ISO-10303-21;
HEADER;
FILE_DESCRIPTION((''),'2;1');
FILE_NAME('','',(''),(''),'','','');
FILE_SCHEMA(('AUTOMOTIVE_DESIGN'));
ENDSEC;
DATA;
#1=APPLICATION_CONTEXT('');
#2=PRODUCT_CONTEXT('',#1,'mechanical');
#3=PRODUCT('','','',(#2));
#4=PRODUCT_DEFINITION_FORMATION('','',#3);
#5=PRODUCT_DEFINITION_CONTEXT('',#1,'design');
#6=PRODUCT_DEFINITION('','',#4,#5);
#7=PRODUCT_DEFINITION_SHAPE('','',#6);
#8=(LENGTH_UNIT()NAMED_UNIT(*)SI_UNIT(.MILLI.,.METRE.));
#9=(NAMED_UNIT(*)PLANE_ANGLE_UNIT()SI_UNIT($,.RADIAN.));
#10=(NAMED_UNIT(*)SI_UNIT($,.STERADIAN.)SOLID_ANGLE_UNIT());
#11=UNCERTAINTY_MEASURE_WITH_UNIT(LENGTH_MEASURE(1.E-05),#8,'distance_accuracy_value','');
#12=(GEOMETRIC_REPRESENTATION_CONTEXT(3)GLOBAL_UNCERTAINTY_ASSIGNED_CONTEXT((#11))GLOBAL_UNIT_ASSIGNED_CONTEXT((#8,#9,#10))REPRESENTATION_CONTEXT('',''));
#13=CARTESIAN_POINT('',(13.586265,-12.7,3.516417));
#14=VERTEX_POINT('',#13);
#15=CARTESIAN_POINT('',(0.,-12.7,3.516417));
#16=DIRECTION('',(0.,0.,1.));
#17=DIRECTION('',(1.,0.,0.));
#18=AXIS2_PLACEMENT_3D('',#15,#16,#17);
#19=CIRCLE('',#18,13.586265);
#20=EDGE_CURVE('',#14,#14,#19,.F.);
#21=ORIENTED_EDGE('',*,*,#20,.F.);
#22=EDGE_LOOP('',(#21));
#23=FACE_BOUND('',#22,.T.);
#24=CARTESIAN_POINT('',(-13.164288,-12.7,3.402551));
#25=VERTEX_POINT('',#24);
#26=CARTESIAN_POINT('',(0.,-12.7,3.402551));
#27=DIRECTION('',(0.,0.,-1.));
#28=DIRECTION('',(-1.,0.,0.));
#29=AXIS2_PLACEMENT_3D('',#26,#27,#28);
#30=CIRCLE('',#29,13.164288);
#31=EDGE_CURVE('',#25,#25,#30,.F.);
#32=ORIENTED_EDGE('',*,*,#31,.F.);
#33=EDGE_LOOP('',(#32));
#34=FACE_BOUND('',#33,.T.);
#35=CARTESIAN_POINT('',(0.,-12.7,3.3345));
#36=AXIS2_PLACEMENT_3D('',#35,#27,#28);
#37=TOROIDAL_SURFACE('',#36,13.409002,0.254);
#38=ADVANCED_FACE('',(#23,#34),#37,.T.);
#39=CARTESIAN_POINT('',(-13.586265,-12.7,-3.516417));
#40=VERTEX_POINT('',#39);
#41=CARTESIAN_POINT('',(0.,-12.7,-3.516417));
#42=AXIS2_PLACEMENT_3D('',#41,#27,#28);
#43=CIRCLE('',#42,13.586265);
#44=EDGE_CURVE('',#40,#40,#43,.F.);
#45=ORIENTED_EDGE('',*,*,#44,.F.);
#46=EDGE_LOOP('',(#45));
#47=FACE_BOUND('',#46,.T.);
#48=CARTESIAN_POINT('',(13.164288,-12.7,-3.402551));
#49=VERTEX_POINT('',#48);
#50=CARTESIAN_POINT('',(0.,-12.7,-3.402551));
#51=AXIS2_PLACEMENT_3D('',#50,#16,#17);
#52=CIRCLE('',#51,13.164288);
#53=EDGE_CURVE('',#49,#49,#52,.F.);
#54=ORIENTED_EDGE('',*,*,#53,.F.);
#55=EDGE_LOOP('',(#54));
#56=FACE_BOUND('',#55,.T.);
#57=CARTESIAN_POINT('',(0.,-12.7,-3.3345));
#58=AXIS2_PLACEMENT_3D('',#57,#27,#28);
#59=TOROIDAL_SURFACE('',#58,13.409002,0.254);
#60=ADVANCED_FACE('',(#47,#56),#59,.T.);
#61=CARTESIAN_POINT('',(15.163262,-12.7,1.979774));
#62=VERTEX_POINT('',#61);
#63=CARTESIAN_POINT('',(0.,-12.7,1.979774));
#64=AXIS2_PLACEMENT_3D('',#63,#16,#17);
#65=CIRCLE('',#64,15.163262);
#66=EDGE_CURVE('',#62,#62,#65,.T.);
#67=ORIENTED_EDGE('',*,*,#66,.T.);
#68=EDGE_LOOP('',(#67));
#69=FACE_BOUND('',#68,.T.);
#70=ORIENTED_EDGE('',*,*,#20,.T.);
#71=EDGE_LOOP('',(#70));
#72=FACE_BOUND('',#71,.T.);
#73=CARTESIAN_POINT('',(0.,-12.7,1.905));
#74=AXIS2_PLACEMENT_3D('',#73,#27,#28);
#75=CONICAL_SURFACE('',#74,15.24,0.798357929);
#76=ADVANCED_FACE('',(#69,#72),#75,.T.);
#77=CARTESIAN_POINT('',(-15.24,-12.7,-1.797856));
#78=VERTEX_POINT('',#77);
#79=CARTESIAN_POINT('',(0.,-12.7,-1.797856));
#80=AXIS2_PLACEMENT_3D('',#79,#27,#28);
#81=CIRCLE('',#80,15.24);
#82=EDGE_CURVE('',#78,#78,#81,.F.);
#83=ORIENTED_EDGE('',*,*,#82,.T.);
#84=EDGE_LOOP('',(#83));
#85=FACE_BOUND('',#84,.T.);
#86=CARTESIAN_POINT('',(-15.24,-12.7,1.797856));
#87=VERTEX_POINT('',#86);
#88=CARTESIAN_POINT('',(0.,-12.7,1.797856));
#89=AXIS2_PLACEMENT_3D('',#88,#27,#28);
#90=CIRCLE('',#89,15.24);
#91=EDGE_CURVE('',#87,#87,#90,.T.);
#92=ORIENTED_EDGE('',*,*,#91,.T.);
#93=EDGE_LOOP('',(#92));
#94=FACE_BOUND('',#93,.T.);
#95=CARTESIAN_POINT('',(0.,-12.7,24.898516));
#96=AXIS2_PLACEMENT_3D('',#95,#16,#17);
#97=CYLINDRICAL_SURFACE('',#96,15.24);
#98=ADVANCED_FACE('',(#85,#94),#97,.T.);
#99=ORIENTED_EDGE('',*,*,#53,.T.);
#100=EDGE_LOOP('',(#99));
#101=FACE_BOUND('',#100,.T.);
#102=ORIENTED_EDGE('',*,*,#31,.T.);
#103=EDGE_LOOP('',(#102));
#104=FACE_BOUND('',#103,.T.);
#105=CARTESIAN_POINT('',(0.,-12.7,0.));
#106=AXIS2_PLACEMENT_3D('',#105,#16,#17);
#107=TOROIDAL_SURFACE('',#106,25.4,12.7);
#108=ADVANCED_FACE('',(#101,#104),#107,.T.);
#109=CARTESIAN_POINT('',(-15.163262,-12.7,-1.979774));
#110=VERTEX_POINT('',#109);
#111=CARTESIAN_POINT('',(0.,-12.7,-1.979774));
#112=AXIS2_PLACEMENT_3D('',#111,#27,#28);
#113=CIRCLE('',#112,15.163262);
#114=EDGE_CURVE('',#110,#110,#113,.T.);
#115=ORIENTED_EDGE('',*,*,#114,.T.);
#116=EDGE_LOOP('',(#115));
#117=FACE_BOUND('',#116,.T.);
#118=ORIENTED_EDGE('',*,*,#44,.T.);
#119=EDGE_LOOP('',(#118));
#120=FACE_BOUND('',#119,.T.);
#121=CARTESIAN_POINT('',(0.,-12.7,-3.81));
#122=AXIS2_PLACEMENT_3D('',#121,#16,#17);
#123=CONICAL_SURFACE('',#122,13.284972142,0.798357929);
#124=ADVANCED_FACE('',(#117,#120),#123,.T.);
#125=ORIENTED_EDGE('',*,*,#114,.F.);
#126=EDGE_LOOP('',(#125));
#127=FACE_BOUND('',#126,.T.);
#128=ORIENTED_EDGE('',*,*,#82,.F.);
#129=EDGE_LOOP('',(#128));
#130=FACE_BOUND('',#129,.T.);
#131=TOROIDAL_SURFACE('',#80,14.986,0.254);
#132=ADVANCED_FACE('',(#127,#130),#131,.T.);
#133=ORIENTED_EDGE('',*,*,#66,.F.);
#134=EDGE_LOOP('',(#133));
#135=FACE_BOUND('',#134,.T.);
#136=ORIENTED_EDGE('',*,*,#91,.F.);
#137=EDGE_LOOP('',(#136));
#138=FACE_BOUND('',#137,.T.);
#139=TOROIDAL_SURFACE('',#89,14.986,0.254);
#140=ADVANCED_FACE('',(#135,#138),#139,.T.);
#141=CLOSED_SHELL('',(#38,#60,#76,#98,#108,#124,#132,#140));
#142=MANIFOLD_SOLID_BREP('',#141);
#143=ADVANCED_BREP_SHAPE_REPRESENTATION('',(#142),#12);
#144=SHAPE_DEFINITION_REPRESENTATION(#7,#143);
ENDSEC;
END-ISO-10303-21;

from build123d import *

# Parameters (mm, degrees)
FILLET1_R = 0.254
FILLET2_R = 0.254


with BuildPart() as part:
    # Sketch1 → Revolve1 (revolve)
    with BuildSketch(Plane(origin=(0, 0, 0), x_dir=(0, 0, -1), z_dir=(1, 0, 0)), mode=Mode.PRIVATE) as revolve1_sk:
        with BuildLine():
            Line((-3.81, 0.584972142), (-1.905, 2.54))
            Line((-1.905, 2.54), (1.905, 2.54))
            Line((1.905, 2.54), (3.81, 0.584972142))
            ThreePointArc((3.81, 0.584972142), (0, 0), (-3.81, 0.584972142))
        make_face()
    revolve(revolve1_sk.sketch.rotate(Axis((0, -12.7, 24.898515868), (0, 0, -1)), 90), axis=Axis((0, -12.7, 24.898515868), (0, 0, -1)))

    # Fillet1
    fillet1_edges = [part.edges().sort_by_distance(p)[0] for p in [
        (-13.284972142, -12.7, 3.81),
        (-13.284972142, -12.7, -3.81),
    ]]
    fillet(fillet1_edges, radius=FILLET1_R)

    # Fillet2
    fillet2_edges = [part.edges().sort_by_distance(p)[0] for p in [
        (-15.24, -12.7, 1.905),
        (-15.24, -12.7, -1.905),
    ]]
    fillet(fillet2_edges, radius=FILLET2_R)


solid = part.part
